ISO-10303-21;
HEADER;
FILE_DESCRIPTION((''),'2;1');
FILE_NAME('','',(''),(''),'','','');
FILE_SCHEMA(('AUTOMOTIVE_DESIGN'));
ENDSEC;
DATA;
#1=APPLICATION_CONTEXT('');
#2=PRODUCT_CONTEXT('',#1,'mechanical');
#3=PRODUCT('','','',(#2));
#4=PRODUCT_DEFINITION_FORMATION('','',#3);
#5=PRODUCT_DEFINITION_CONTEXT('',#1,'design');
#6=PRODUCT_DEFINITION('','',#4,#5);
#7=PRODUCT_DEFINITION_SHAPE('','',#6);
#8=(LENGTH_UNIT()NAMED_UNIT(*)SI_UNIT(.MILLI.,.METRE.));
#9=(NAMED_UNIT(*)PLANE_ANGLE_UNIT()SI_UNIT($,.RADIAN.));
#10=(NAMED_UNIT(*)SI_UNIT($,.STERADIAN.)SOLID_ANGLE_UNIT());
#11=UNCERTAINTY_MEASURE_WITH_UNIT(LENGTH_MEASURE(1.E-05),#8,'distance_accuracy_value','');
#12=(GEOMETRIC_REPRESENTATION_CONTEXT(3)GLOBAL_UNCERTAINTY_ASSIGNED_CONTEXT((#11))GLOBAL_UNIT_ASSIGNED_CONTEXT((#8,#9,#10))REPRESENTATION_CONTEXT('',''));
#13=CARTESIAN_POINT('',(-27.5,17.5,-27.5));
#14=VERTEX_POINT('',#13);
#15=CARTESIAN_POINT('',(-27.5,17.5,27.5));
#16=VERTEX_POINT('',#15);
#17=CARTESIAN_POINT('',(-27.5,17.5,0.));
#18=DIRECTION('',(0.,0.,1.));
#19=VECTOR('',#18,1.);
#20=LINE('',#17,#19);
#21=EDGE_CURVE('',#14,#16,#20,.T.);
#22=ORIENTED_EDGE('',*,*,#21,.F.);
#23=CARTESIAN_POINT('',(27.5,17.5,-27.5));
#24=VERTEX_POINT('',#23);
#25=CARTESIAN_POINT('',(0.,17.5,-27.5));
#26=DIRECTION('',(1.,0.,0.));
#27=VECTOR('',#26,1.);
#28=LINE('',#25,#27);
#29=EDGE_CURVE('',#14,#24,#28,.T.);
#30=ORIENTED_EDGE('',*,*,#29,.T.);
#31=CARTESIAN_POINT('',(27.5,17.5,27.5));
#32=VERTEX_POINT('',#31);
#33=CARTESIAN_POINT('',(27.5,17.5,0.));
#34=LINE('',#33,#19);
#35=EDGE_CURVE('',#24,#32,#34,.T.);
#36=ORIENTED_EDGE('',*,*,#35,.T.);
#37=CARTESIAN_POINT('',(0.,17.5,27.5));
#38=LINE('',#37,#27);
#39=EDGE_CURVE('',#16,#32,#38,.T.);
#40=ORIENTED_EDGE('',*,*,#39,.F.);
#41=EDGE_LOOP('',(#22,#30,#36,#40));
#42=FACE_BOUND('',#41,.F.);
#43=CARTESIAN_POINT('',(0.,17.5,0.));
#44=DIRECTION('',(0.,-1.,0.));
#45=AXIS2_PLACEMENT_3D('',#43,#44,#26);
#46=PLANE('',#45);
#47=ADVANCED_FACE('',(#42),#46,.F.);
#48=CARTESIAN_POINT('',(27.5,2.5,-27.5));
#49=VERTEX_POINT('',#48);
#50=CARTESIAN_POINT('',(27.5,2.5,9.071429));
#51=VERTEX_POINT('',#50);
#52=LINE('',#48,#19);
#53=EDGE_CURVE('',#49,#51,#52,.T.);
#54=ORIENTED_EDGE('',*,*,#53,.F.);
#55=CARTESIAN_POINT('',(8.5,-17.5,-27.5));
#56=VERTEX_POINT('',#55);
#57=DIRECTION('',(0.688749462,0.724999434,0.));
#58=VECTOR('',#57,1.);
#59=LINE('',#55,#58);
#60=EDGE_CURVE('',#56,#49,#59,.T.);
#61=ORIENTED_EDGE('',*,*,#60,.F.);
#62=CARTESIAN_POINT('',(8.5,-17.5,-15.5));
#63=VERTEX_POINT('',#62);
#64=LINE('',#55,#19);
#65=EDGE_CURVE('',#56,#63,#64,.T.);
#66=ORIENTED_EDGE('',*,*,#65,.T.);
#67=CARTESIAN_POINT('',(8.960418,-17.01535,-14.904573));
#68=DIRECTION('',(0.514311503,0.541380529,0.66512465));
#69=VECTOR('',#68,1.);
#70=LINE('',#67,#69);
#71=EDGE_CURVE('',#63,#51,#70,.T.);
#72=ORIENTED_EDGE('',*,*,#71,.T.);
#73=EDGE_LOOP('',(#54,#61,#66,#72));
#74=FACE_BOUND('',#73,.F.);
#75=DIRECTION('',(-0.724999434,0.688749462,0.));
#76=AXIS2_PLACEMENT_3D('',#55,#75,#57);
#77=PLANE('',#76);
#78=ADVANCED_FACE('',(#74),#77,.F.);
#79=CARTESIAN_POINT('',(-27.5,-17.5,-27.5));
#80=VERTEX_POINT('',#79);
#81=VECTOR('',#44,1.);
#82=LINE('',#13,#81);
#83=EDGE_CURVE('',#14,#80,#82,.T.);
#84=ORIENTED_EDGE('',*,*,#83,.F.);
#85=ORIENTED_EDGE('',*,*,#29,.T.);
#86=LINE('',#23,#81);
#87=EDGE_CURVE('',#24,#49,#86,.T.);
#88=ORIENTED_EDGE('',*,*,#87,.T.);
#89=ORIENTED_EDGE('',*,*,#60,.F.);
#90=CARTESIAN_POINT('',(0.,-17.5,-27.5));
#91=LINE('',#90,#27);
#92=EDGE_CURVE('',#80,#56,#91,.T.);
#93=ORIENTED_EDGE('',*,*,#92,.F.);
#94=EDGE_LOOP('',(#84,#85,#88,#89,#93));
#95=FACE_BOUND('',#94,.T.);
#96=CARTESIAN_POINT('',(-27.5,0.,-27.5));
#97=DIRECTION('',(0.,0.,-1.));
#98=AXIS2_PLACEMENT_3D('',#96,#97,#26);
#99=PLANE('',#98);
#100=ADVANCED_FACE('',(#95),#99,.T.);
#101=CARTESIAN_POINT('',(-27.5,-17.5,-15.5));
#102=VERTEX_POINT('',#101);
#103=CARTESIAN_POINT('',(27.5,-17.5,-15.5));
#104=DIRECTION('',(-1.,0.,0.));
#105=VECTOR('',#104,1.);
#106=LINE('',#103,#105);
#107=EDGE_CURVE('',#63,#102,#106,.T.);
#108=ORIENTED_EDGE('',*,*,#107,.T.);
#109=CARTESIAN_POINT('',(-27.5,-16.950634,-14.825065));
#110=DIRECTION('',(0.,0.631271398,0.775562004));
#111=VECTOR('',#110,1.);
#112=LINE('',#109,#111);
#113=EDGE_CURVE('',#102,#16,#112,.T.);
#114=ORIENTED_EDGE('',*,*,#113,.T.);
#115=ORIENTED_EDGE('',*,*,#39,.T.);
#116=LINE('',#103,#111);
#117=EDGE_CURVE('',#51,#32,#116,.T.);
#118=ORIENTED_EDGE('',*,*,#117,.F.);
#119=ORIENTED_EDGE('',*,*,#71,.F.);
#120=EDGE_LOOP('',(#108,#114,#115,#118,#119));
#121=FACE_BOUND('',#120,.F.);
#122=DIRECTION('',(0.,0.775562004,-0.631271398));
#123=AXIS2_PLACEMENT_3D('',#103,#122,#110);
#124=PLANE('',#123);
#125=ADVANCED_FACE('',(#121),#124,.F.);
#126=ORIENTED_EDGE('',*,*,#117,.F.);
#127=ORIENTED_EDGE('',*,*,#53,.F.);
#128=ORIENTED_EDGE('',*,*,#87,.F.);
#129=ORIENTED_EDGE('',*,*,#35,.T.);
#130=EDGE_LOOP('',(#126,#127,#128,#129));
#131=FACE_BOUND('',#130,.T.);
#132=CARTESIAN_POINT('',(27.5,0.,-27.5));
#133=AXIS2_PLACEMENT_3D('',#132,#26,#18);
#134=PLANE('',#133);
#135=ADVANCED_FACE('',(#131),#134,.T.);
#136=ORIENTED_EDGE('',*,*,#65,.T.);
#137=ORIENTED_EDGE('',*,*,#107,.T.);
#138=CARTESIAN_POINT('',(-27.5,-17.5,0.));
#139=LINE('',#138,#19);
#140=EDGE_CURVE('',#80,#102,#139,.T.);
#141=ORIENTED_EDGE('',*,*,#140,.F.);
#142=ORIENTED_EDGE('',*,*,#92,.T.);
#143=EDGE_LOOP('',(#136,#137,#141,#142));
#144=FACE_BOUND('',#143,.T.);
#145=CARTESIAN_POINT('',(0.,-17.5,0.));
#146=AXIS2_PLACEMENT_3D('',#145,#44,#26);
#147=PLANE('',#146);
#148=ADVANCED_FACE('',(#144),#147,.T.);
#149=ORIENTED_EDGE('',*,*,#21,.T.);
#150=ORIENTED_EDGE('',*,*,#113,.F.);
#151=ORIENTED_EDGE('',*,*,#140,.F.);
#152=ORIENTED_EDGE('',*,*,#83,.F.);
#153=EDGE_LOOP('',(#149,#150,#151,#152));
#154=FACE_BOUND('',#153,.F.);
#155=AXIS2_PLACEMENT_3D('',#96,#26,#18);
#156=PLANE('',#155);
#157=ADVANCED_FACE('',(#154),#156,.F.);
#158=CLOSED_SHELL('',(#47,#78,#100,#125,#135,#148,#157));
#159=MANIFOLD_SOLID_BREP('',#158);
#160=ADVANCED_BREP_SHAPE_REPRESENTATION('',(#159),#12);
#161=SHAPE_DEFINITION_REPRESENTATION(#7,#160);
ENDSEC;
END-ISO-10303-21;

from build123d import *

# Parameters (mm, degrees)
F0_W     = 55
F0_H     = 55
F1_DEPTH = 17.5
F3_DEPTH = 55.001
F5_DEPTH = 55.001


with BuildPart() as f1:
    # F0 (on Front) → F1 (new body, symmetric)
    with BuildSketch(Plane.XZ):
        Rectangle(F0_W, F0_H)
    extrude(amount=F1_DEPTH, both=True)

    # F2 (on face) → F3 (cut, through all)
    with BuildSketch(Plane.YZ.offset(27.5)):
        Polygon((-17.5, 27.5), (-17.5, -15.5), (17.5, 27.5), align=None)
    extrude(amount=-F3_DEPTH, mode=Mode.SUBTRACT)

    # F4 (on face) → F5 (cut, through all)
    with BuildSketch(Plane(origin=(0, 0, -27.5), x_dir=(1, 0, 0), z_dir=(0, 0, -1))):
        Polygon((8.5, 17.5), (27.5, -2.5), (27.5, 17.5), align=None)
    extrude(amount=-F5_DEPTH, mode=Mode.SUBTRACT)


solid = f1.part
